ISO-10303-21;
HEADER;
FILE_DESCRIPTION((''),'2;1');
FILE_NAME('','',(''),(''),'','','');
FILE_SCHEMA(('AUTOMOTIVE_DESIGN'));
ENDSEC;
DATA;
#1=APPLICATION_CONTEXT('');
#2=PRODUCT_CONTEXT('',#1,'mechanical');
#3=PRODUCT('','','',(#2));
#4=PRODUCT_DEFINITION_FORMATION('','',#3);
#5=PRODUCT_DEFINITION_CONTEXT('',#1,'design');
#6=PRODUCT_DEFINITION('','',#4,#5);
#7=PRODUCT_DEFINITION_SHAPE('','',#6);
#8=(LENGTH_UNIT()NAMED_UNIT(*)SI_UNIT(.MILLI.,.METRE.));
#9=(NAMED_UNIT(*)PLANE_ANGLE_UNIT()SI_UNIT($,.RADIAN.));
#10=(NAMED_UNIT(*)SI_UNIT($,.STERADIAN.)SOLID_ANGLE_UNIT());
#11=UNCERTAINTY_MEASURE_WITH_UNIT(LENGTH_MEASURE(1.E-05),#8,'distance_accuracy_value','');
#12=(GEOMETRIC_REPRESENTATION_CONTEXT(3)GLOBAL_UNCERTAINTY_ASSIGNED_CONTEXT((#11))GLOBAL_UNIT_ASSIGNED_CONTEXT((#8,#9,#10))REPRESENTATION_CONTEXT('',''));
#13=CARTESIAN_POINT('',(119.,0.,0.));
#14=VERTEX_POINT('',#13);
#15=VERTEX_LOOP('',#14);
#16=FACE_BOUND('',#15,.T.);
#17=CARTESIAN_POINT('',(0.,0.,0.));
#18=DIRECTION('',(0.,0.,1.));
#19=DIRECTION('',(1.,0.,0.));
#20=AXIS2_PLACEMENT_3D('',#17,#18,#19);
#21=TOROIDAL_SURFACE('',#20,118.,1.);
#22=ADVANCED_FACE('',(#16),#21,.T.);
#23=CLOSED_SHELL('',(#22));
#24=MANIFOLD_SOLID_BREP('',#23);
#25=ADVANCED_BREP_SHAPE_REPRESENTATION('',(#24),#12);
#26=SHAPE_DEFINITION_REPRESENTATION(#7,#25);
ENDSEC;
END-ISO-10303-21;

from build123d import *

# Parameters (mm, degrees)
SKETCH3_R = 1


with BuildPart() as part:
    # Sketch3 → Revolve1 (revolve)
    with BuildSketch(Plane(origin=(0, 0, 0), x_dir=(0, 0, -1), z_dir=(1, 0, 0)), mode=Mode.PRIVATE) as revolve1_sk:
        with Locations((0, 118)):
            Circle(SKETCH3_R)
    revolve(revolve1_sk.sketch.rotate(Axis((0, 0, 0), (0, 0, -1)), 90), axis=Axis((0, 0, 0), (0, 0, -1)))


solid = part.part
